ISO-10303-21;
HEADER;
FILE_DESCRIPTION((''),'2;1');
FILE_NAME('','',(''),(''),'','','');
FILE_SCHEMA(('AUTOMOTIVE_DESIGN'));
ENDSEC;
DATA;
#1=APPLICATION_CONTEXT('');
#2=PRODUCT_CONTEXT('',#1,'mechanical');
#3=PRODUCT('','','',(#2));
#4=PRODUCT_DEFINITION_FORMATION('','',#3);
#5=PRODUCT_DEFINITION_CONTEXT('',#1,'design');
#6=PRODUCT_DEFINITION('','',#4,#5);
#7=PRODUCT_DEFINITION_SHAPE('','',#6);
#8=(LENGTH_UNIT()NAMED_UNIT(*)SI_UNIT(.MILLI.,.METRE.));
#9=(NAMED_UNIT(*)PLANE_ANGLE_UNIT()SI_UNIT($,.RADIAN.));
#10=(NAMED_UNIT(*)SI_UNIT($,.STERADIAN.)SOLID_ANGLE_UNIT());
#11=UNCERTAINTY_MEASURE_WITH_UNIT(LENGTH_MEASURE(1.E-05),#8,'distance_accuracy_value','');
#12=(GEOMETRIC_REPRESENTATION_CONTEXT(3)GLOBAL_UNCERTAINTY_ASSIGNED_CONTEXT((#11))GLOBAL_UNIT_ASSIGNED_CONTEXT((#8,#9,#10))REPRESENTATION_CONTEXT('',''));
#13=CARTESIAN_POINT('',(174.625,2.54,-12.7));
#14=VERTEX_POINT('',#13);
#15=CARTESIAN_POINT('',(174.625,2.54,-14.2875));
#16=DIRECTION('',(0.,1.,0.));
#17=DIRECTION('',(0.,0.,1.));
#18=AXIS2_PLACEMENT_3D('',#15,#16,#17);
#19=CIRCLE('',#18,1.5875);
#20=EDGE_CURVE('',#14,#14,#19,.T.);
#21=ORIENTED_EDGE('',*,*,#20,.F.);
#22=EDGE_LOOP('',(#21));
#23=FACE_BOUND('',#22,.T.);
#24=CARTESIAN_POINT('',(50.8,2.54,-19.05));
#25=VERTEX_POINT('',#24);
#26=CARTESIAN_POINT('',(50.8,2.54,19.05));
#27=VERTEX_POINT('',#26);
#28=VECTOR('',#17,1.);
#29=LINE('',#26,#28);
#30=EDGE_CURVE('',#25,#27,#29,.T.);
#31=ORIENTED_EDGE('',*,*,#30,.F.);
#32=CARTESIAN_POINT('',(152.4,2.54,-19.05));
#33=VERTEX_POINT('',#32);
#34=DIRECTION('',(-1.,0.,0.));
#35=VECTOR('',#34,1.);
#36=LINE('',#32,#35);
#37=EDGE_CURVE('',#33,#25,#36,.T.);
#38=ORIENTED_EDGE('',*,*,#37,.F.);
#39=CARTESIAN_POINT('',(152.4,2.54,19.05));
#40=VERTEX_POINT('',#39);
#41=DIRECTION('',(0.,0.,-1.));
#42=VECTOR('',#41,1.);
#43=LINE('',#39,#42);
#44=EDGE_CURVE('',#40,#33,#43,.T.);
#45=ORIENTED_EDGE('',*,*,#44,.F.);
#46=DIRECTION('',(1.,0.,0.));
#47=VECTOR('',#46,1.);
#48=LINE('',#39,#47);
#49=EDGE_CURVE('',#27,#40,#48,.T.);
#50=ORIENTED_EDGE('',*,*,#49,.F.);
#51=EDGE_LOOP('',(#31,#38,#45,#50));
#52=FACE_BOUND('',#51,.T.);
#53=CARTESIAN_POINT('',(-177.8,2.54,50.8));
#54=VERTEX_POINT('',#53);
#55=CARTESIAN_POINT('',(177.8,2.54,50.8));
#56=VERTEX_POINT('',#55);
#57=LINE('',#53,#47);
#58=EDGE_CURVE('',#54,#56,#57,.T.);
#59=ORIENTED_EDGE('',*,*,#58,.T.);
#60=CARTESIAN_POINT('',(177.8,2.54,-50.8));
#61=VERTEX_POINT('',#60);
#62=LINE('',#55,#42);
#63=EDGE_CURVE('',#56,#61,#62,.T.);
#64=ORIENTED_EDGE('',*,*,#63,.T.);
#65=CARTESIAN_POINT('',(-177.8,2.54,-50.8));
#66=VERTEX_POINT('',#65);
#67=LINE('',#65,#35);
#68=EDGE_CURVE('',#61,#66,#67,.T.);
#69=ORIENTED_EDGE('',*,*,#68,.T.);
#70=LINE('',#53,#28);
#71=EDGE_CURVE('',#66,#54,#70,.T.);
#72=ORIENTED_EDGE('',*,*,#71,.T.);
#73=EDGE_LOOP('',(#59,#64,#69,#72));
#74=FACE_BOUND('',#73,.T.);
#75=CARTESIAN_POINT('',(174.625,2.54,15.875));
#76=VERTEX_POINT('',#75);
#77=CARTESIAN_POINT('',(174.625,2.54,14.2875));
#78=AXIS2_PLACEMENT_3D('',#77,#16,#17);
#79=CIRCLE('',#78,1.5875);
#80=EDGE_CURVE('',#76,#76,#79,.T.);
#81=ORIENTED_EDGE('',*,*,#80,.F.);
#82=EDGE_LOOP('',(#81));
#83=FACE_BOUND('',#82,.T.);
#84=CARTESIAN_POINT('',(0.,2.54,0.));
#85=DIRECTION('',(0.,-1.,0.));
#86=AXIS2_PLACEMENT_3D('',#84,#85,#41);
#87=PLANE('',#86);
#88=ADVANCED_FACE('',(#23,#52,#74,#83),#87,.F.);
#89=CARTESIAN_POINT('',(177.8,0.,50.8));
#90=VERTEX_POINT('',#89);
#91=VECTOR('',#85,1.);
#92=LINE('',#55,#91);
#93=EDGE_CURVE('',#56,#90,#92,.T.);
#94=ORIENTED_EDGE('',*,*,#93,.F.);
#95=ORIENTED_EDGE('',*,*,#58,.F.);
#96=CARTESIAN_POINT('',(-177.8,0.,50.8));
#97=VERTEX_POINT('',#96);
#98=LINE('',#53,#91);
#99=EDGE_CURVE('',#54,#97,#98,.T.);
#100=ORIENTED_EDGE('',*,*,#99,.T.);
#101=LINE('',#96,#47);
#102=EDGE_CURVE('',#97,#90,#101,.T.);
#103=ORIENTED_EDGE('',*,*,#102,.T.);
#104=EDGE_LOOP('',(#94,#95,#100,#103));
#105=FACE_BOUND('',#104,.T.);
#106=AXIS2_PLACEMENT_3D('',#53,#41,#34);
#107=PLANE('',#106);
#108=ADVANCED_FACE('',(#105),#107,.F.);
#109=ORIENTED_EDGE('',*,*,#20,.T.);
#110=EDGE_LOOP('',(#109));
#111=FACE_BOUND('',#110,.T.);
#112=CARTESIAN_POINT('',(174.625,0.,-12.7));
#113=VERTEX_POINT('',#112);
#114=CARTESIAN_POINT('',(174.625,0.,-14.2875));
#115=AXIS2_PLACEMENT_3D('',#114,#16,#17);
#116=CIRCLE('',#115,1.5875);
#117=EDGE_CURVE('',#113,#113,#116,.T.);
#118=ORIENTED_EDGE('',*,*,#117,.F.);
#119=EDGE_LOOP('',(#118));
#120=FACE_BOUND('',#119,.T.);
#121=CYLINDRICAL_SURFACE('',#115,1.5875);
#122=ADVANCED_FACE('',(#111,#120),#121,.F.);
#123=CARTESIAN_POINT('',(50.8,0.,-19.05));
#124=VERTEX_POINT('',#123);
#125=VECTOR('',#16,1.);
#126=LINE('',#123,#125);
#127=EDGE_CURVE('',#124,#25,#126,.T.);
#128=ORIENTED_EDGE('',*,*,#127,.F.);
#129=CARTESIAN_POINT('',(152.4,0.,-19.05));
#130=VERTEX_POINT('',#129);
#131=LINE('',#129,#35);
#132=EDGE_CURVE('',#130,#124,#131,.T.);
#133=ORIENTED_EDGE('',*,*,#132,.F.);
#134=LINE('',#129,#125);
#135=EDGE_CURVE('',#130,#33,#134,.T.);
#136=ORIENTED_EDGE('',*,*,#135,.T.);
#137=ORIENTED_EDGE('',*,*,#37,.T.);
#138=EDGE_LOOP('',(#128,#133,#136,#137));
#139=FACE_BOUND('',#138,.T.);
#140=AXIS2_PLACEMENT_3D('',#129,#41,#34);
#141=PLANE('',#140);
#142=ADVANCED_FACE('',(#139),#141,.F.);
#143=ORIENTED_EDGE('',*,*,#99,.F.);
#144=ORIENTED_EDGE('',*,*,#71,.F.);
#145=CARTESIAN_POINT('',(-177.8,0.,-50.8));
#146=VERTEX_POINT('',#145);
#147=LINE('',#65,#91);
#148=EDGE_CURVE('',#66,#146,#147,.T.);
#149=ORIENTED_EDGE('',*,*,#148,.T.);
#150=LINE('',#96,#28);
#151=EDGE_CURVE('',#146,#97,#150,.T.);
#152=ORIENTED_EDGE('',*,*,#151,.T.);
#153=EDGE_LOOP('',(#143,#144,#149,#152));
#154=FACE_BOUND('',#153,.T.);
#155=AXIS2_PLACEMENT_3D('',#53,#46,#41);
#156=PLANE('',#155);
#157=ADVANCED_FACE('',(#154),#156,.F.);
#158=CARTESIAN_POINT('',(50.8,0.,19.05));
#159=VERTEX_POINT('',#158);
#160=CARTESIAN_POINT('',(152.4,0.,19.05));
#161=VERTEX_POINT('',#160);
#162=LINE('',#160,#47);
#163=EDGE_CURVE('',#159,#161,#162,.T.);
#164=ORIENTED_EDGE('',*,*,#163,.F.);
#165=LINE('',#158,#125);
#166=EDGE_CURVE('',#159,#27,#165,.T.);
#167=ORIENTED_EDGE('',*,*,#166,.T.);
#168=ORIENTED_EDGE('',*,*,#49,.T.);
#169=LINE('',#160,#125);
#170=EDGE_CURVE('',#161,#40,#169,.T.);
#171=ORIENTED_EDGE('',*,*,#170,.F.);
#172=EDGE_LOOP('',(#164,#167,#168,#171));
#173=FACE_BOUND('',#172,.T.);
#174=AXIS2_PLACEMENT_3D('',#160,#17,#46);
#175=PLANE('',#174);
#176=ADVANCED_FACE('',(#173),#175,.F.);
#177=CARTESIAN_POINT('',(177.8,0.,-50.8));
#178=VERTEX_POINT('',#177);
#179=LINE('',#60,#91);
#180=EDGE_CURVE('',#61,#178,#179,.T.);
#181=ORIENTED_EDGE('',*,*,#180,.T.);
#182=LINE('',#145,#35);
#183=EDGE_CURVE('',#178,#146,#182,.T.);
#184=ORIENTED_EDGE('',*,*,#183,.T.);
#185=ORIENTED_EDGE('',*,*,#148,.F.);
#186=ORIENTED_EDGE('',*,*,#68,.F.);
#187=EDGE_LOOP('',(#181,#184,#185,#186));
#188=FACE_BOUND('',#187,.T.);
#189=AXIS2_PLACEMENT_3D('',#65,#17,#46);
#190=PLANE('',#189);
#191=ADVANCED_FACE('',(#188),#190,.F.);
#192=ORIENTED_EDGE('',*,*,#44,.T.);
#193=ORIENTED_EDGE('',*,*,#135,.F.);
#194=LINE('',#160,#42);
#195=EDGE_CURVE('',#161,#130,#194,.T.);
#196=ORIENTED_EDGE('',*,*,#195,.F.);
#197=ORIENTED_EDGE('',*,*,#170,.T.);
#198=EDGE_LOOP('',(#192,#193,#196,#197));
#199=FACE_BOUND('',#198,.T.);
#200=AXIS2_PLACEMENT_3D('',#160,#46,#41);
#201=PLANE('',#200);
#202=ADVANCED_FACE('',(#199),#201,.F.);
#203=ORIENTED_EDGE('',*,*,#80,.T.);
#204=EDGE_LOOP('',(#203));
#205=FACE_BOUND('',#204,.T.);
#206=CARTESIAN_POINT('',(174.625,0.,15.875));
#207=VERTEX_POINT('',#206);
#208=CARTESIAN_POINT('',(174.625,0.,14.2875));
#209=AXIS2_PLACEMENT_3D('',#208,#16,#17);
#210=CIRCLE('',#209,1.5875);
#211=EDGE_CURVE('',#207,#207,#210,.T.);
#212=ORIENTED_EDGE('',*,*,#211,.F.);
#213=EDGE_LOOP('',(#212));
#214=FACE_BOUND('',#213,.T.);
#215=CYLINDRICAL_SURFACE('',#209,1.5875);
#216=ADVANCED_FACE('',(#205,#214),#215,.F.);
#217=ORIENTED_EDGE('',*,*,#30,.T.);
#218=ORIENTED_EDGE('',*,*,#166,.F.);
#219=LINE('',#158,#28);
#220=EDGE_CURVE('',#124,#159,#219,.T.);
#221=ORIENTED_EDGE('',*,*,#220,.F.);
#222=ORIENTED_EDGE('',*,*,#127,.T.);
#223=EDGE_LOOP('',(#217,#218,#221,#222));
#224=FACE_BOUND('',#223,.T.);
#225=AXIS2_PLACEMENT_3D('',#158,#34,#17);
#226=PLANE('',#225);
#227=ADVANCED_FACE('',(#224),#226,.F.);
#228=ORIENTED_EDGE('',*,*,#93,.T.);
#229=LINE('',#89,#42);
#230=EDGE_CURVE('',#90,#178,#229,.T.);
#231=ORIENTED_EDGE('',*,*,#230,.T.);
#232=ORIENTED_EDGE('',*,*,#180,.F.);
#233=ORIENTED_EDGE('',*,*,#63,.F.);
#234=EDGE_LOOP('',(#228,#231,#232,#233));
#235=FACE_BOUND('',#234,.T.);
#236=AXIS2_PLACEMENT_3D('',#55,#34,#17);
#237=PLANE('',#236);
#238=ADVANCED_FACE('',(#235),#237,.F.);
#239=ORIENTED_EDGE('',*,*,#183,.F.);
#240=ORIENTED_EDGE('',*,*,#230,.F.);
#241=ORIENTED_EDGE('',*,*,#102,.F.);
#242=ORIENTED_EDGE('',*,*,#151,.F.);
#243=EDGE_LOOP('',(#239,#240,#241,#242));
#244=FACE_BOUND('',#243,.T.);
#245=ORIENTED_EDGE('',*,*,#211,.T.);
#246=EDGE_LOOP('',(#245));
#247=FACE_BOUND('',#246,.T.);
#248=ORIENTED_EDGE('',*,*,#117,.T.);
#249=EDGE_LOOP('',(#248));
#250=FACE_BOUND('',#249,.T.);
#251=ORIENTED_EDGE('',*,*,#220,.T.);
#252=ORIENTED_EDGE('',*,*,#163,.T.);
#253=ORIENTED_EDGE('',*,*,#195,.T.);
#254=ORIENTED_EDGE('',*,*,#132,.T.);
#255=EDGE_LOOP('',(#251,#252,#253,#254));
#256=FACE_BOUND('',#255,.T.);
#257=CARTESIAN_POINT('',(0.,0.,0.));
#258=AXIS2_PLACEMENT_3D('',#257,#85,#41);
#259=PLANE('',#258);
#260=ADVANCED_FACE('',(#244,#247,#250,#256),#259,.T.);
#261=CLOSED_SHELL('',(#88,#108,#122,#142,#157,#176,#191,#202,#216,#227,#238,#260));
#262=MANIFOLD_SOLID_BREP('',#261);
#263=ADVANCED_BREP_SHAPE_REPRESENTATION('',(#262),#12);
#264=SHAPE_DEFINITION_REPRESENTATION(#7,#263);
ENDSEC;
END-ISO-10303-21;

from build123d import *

# Parameters (mm, degrees)
SKETCH1_W           = 355.6
SKETCH1_H           = 101.6
BOSS_EXTRUDE1_DEPTH = 2.54
SKETCH3_R           = 1.5875
SKETCH3_W           = 101.6
SKETCH3_H           = 38.1
CUT_EXTRUDE1_DEPTH  = 2.54


with BuildPart() as part:
    # Sketch1 → Boss-Extrude1 (new body)
    with BuildSketch(Plane(origin=(0, 0, 0), x_dir=(1, 0, 0), z_dir=(0, 1, 0))):
        Rectangle(SKETCH1_W, SKETCH1_H)
    extrude(amount=BOSS_EXTRUDE1_DEPTH)

    # Sketch3 → Cut-Extrude1 (cut)
    with BuildSketch(Plane(origin=(0, 2.54, 0), x_dir=(1, 0, 0), z_dir=(0, 1, 0))):
        with Locations(Location((174.625, -14.2875, 0), (0, 0, 270))):
            Circle(SKETCH3_R)
        with Locations(Location((174.625, 14.2875, 0), (0, 0, 270))):
            Circle(SKETCH3_R)
        with Locations((101.6, 0)):
            Rectangle(SKETCH3_W, SKETCH3_H)
    extrude(amount=-CUT_EXTRUDE1_DEPTH, mode=Mode.SUBTRACT)


solid = part.part
